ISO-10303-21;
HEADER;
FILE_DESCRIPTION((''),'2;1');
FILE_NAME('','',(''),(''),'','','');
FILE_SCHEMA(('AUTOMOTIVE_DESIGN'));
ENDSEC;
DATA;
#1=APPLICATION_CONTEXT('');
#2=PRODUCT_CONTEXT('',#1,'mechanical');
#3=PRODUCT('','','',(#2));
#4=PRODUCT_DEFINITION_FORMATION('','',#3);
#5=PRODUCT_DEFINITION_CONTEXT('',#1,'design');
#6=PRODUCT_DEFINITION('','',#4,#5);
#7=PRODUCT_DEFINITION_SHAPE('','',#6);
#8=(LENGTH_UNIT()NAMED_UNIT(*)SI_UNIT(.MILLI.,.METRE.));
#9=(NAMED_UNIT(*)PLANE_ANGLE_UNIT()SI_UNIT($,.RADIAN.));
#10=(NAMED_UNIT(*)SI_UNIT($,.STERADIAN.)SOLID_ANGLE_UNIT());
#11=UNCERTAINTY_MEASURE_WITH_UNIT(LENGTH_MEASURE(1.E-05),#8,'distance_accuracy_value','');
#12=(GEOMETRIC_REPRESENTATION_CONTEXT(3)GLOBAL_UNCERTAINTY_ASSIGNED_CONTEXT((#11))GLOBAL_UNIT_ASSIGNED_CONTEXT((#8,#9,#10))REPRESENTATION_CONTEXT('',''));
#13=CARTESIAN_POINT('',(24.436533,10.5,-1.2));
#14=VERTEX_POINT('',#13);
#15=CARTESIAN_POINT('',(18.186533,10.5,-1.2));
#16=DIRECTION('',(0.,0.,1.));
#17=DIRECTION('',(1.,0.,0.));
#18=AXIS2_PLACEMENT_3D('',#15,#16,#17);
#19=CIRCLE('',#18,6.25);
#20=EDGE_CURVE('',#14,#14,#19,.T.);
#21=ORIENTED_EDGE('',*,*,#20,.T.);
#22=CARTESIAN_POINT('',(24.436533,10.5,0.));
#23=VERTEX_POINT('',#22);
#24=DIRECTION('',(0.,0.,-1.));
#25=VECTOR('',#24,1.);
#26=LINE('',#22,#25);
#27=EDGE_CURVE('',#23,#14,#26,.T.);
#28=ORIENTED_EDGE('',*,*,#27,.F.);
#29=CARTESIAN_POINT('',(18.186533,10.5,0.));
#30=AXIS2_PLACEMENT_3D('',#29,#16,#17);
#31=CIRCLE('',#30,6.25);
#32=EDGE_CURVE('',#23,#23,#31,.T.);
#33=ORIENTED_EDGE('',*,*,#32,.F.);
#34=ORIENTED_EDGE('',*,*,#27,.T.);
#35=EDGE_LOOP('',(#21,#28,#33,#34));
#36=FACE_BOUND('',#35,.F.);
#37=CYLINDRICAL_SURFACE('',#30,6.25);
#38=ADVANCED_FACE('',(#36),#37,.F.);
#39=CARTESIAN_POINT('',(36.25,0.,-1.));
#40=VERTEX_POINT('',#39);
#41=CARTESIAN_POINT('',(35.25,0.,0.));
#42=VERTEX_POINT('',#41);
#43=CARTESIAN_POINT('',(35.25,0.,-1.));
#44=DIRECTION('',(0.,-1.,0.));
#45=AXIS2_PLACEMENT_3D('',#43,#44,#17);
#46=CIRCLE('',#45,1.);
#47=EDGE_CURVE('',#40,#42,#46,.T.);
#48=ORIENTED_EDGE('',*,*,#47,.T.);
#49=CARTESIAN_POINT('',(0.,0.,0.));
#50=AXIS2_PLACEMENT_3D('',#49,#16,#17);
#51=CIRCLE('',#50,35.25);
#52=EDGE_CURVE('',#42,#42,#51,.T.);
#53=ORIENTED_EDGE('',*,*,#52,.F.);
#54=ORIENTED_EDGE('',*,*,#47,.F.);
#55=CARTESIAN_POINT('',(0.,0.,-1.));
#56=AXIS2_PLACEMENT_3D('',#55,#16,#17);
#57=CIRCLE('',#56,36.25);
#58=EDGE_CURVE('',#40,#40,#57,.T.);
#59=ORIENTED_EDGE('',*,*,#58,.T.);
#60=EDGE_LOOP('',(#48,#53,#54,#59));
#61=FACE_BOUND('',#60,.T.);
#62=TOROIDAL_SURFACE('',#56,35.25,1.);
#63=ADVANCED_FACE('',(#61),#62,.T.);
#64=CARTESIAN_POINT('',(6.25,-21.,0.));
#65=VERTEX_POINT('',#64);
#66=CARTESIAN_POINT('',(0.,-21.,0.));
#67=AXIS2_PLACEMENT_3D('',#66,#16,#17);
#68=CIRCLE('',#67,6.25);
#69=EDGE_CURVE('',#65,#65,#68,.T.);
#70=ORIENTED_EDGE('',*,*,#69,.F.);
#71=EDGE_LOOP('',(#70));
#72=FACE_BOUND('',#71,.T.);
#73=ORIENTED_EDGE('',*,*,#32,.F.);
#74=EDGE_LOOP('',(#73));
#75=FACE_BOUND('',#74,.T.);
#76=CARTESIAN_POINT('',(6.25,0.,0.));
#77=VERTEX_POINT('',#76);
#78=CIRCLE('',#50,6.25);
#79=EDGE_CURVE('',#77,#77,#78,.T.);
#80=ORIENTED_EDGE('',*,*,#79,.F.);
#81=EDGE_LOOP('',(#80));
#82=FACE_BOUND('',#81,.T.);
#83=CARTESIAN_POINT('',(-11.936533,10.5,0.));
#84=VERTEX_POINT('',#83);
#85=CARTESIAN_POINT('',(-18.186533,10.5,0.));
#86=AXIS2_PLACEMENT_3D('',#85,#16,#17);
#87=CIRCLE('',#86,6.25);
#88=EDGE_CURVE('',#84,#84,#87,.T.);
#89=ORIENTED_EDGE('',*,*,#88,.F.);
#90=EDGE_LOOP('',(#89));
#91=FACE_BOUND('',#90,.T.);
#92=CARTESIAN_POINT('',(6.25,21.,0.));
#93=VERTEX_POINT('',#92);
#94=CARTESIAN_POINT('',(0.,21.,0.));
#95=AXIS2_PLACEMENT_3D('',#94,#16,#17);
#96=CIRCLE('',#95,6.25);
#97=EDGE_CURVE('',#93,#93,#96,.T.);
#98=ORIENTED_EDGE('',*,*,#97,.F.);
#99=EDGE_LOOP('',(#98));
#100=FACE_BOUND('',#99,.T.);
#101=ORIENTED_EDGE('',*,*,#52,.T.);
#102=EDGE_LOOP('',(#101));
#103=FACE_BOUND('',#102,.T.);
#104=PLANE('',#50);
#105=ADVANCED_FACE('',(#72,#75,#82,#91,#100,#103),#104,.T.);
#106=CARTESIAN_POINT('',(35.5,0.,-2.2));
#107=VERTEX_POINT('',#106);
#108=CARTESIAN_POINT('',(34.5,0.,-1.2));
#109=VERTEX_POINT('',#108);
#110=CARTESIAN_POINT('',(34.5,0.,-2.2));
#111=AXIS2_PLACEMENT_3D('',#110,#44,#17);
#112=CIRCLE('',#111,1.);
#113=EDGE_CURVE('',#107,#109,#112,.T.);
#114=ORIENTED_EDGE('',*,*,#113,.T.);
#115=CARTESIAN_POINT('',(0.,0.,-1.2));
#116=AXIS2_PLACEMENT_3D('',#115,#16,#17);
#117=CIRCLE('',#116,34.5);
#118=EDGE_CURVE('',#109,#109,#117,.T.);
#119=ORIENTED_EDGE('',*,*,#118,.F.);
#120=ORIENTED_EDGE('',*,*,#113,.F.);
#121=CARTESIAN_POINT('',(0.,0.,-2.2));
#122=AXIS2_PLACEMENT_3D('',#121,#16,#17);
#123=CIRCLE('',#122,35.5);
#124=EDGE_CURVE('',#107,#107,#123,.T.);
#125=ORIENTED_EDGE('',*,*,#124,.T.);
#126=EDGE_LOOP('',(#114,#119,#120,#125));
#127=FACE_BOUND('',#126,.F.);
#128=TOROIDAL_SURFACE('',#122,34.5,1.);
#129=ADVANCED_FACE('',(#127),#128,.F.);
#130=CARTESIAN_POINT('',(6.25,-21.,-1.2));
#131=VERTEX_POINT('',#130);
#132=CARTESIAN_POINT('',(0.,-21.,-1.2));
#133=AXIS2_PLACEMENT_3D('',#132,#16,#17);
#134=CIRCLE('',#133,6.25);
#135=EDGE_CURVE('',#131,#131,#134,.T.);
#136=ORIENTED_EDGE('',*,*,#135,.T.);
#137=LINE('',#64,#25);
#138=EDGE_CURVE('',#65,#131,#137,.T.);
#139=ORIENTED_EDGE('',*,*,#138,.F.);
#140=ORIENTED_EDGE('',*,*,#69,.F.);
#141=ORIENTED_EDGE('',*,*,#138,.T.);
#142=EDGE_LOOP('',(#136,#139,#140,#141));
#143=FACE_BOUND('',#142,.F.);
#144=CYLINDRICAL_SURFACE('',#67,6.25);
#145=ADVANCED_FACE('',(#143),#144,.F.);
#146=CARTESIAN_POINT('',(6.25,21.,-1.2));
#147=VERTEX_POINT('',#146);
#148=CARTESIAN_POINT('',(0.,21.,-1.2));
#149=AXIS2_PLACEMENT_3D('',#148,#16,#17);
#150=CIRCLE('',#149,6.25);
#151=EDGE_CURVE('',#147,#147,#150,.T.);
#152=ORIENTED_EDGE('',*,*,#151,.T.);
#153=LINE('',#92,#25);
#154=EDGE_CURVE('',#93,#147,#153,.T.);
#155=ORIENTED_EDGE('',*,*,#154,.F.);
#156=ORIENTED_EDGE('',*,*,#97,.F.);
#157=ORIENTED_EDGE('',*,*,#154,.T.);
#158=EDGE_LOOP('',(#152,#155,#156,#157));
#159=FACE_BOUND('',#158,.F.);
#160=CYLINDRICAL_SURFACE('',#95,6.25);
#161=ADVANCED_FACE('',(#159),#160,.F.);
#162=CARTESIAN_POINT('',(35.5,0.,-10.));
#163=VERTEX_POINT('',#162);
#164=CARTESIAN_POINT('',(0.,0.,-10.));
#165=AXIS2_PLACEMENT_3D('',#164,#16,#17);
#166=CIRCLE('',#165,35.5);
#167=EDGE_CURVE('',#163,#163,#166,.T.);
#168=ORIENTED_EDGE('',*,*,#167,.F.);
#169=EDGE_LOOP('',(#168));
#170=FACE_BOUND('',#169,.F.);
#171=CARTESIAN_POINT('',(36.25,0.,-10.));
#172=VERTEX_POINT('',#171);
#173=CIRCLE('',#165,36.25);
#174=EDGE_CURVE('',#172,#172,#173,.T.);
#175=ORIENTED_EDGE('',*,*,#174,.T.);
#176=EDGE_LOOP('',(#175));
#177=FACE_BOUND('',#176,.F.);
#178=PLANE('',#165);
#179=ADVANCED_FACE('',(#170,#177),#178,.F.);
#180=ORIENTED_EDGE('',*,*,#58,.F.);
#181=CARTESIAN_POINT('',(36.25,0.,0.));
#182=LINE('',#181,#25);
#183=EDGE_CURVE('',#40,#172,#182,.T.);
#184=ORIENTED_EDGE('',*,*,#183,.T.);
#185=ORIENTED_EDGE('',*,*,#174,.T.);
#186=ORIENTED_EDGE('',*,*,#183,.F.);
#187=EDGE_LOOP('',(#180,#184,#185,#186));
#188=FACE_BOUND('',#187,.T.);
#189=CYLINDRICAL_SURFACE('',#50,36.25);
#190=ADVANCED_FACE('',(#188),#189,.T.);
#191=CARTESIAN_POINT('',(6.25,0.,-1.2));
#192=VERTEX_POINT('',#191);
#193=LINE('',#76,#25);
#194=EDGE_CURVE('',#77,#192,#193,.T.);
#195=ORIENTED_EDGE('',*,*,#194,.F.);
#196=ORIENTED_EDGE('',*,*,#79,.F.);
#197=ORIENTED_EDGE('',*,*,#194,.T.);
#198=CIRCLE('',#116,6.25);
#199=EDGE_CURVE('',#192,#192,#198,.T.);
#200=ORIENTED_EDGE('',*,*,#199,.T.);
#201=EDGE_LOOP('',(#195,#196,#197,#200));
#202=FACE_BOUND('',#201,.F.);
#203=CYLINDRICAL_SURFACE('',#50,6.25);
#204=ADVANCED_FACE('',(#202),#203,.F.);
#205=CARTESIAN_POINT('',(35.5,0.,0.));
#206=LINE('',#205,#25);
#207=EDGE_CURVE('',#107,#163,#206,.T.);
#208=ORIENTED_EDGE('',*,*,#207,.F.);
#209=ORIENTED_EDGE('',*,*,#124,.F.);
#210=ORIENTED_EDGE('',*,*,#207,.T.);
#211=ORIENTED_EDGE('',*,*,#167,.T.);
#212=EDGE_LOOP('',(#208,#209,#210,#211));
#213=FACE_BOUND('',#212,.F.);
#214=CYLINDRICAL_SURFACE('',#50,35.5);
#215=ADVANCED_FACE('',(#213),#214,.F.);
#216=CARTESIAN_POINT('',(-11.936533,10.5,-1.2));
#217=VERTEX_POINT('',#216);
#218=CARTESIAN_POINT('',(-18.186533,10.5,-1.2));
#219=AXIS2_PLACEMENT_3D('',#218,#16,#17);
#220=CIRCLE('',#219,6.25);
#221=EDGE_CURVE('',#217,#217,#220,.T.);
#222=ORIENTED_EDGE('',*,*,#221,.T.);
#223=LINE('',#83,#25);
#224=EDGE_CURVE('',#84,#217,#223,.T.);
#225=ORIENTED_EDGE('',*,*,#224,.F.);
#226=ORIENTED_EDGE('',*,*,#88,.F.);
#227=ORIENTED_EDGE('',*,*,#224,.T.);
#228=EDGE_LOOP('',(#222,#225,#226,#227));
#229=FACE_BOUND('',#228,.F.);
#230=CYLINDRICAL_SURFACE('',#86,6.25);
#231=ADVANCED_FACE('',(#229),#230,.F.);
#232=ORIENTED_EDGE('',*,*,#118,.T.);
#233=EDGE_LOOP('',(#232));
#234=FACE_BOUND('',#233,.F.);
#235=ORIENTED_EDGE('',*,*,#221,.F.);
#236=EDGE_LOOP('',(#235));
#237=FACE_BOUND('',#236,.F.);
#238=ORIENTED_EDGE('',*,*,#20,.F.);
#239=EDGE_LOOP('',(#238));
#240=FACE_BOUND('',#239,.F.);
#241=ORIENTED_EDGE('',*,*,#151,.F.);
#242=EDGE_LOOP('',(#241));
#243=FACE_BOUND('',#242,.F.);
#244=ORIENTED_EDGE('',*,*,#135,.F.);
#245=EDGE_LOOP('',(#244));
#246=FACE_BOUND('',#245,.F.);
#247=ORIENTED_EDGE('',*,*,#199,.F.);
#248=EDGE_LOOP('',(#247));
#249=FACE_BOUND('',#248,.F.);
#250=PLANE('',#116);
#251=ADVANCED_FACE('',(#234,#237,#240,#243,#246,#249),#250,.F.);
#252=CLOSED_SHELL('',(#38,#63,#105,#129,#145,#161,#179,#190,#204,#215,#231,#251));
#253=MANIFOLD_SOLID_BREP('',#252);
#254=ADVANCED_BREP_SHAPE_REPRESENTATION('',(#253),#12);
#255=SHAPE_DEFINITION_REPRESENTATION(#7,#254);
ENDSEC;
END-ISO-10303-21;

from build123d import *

# Parameters (mm, degrees)
F0_R     = 35.5
F0_R_2   = 6.25
F1_DEPTH = 1.2
F0_R_3   = 36.25
F2_DEPTH = 10
F3_R     = 1


with BuildPart() as f1:
    # F0 (on Top) → F1 (new body)
    with BuildSketch(Plane.XY):
        Circle(F0_R)
        with Locations((0, -21)):
            Circle(F0_R_2, mode=Mode.SUBTRACT)
        with Locations((-18.186533, 10.5)):
            Circle(F0_R_2, mode=Mode.SUBTRACT)
        Circle(F0_R_2, mode=Mode.SUBTRACT)
        with Locations((18.186533, 10.5)):
            Circle(F0_R_2, mode=Mode.SUBTRACT)
        with Locations((0, 21)):
            Circle(F0_R_2, mode=Mode.SUBTRACT)
    extrude(amount=-F1_DEPTH)

    # F0 (on Top) → F2 (join)
    with BuildSketch(Plane.XY):
        Circle(F0_R_3)
        Circle(F0_R, mode=Mode.SUBTRACT)
    extrude(amount=-F2_DEPTH)

    # F3
    f3_edges = [f1.edges().sort_by_distance(p)[0] for p in [
        (-36.25, 0, 0),
        (-35.5, 0, -1.2),
    ]]
    fillet(f3_edges, radius=F3_R)


solid = f1.part
